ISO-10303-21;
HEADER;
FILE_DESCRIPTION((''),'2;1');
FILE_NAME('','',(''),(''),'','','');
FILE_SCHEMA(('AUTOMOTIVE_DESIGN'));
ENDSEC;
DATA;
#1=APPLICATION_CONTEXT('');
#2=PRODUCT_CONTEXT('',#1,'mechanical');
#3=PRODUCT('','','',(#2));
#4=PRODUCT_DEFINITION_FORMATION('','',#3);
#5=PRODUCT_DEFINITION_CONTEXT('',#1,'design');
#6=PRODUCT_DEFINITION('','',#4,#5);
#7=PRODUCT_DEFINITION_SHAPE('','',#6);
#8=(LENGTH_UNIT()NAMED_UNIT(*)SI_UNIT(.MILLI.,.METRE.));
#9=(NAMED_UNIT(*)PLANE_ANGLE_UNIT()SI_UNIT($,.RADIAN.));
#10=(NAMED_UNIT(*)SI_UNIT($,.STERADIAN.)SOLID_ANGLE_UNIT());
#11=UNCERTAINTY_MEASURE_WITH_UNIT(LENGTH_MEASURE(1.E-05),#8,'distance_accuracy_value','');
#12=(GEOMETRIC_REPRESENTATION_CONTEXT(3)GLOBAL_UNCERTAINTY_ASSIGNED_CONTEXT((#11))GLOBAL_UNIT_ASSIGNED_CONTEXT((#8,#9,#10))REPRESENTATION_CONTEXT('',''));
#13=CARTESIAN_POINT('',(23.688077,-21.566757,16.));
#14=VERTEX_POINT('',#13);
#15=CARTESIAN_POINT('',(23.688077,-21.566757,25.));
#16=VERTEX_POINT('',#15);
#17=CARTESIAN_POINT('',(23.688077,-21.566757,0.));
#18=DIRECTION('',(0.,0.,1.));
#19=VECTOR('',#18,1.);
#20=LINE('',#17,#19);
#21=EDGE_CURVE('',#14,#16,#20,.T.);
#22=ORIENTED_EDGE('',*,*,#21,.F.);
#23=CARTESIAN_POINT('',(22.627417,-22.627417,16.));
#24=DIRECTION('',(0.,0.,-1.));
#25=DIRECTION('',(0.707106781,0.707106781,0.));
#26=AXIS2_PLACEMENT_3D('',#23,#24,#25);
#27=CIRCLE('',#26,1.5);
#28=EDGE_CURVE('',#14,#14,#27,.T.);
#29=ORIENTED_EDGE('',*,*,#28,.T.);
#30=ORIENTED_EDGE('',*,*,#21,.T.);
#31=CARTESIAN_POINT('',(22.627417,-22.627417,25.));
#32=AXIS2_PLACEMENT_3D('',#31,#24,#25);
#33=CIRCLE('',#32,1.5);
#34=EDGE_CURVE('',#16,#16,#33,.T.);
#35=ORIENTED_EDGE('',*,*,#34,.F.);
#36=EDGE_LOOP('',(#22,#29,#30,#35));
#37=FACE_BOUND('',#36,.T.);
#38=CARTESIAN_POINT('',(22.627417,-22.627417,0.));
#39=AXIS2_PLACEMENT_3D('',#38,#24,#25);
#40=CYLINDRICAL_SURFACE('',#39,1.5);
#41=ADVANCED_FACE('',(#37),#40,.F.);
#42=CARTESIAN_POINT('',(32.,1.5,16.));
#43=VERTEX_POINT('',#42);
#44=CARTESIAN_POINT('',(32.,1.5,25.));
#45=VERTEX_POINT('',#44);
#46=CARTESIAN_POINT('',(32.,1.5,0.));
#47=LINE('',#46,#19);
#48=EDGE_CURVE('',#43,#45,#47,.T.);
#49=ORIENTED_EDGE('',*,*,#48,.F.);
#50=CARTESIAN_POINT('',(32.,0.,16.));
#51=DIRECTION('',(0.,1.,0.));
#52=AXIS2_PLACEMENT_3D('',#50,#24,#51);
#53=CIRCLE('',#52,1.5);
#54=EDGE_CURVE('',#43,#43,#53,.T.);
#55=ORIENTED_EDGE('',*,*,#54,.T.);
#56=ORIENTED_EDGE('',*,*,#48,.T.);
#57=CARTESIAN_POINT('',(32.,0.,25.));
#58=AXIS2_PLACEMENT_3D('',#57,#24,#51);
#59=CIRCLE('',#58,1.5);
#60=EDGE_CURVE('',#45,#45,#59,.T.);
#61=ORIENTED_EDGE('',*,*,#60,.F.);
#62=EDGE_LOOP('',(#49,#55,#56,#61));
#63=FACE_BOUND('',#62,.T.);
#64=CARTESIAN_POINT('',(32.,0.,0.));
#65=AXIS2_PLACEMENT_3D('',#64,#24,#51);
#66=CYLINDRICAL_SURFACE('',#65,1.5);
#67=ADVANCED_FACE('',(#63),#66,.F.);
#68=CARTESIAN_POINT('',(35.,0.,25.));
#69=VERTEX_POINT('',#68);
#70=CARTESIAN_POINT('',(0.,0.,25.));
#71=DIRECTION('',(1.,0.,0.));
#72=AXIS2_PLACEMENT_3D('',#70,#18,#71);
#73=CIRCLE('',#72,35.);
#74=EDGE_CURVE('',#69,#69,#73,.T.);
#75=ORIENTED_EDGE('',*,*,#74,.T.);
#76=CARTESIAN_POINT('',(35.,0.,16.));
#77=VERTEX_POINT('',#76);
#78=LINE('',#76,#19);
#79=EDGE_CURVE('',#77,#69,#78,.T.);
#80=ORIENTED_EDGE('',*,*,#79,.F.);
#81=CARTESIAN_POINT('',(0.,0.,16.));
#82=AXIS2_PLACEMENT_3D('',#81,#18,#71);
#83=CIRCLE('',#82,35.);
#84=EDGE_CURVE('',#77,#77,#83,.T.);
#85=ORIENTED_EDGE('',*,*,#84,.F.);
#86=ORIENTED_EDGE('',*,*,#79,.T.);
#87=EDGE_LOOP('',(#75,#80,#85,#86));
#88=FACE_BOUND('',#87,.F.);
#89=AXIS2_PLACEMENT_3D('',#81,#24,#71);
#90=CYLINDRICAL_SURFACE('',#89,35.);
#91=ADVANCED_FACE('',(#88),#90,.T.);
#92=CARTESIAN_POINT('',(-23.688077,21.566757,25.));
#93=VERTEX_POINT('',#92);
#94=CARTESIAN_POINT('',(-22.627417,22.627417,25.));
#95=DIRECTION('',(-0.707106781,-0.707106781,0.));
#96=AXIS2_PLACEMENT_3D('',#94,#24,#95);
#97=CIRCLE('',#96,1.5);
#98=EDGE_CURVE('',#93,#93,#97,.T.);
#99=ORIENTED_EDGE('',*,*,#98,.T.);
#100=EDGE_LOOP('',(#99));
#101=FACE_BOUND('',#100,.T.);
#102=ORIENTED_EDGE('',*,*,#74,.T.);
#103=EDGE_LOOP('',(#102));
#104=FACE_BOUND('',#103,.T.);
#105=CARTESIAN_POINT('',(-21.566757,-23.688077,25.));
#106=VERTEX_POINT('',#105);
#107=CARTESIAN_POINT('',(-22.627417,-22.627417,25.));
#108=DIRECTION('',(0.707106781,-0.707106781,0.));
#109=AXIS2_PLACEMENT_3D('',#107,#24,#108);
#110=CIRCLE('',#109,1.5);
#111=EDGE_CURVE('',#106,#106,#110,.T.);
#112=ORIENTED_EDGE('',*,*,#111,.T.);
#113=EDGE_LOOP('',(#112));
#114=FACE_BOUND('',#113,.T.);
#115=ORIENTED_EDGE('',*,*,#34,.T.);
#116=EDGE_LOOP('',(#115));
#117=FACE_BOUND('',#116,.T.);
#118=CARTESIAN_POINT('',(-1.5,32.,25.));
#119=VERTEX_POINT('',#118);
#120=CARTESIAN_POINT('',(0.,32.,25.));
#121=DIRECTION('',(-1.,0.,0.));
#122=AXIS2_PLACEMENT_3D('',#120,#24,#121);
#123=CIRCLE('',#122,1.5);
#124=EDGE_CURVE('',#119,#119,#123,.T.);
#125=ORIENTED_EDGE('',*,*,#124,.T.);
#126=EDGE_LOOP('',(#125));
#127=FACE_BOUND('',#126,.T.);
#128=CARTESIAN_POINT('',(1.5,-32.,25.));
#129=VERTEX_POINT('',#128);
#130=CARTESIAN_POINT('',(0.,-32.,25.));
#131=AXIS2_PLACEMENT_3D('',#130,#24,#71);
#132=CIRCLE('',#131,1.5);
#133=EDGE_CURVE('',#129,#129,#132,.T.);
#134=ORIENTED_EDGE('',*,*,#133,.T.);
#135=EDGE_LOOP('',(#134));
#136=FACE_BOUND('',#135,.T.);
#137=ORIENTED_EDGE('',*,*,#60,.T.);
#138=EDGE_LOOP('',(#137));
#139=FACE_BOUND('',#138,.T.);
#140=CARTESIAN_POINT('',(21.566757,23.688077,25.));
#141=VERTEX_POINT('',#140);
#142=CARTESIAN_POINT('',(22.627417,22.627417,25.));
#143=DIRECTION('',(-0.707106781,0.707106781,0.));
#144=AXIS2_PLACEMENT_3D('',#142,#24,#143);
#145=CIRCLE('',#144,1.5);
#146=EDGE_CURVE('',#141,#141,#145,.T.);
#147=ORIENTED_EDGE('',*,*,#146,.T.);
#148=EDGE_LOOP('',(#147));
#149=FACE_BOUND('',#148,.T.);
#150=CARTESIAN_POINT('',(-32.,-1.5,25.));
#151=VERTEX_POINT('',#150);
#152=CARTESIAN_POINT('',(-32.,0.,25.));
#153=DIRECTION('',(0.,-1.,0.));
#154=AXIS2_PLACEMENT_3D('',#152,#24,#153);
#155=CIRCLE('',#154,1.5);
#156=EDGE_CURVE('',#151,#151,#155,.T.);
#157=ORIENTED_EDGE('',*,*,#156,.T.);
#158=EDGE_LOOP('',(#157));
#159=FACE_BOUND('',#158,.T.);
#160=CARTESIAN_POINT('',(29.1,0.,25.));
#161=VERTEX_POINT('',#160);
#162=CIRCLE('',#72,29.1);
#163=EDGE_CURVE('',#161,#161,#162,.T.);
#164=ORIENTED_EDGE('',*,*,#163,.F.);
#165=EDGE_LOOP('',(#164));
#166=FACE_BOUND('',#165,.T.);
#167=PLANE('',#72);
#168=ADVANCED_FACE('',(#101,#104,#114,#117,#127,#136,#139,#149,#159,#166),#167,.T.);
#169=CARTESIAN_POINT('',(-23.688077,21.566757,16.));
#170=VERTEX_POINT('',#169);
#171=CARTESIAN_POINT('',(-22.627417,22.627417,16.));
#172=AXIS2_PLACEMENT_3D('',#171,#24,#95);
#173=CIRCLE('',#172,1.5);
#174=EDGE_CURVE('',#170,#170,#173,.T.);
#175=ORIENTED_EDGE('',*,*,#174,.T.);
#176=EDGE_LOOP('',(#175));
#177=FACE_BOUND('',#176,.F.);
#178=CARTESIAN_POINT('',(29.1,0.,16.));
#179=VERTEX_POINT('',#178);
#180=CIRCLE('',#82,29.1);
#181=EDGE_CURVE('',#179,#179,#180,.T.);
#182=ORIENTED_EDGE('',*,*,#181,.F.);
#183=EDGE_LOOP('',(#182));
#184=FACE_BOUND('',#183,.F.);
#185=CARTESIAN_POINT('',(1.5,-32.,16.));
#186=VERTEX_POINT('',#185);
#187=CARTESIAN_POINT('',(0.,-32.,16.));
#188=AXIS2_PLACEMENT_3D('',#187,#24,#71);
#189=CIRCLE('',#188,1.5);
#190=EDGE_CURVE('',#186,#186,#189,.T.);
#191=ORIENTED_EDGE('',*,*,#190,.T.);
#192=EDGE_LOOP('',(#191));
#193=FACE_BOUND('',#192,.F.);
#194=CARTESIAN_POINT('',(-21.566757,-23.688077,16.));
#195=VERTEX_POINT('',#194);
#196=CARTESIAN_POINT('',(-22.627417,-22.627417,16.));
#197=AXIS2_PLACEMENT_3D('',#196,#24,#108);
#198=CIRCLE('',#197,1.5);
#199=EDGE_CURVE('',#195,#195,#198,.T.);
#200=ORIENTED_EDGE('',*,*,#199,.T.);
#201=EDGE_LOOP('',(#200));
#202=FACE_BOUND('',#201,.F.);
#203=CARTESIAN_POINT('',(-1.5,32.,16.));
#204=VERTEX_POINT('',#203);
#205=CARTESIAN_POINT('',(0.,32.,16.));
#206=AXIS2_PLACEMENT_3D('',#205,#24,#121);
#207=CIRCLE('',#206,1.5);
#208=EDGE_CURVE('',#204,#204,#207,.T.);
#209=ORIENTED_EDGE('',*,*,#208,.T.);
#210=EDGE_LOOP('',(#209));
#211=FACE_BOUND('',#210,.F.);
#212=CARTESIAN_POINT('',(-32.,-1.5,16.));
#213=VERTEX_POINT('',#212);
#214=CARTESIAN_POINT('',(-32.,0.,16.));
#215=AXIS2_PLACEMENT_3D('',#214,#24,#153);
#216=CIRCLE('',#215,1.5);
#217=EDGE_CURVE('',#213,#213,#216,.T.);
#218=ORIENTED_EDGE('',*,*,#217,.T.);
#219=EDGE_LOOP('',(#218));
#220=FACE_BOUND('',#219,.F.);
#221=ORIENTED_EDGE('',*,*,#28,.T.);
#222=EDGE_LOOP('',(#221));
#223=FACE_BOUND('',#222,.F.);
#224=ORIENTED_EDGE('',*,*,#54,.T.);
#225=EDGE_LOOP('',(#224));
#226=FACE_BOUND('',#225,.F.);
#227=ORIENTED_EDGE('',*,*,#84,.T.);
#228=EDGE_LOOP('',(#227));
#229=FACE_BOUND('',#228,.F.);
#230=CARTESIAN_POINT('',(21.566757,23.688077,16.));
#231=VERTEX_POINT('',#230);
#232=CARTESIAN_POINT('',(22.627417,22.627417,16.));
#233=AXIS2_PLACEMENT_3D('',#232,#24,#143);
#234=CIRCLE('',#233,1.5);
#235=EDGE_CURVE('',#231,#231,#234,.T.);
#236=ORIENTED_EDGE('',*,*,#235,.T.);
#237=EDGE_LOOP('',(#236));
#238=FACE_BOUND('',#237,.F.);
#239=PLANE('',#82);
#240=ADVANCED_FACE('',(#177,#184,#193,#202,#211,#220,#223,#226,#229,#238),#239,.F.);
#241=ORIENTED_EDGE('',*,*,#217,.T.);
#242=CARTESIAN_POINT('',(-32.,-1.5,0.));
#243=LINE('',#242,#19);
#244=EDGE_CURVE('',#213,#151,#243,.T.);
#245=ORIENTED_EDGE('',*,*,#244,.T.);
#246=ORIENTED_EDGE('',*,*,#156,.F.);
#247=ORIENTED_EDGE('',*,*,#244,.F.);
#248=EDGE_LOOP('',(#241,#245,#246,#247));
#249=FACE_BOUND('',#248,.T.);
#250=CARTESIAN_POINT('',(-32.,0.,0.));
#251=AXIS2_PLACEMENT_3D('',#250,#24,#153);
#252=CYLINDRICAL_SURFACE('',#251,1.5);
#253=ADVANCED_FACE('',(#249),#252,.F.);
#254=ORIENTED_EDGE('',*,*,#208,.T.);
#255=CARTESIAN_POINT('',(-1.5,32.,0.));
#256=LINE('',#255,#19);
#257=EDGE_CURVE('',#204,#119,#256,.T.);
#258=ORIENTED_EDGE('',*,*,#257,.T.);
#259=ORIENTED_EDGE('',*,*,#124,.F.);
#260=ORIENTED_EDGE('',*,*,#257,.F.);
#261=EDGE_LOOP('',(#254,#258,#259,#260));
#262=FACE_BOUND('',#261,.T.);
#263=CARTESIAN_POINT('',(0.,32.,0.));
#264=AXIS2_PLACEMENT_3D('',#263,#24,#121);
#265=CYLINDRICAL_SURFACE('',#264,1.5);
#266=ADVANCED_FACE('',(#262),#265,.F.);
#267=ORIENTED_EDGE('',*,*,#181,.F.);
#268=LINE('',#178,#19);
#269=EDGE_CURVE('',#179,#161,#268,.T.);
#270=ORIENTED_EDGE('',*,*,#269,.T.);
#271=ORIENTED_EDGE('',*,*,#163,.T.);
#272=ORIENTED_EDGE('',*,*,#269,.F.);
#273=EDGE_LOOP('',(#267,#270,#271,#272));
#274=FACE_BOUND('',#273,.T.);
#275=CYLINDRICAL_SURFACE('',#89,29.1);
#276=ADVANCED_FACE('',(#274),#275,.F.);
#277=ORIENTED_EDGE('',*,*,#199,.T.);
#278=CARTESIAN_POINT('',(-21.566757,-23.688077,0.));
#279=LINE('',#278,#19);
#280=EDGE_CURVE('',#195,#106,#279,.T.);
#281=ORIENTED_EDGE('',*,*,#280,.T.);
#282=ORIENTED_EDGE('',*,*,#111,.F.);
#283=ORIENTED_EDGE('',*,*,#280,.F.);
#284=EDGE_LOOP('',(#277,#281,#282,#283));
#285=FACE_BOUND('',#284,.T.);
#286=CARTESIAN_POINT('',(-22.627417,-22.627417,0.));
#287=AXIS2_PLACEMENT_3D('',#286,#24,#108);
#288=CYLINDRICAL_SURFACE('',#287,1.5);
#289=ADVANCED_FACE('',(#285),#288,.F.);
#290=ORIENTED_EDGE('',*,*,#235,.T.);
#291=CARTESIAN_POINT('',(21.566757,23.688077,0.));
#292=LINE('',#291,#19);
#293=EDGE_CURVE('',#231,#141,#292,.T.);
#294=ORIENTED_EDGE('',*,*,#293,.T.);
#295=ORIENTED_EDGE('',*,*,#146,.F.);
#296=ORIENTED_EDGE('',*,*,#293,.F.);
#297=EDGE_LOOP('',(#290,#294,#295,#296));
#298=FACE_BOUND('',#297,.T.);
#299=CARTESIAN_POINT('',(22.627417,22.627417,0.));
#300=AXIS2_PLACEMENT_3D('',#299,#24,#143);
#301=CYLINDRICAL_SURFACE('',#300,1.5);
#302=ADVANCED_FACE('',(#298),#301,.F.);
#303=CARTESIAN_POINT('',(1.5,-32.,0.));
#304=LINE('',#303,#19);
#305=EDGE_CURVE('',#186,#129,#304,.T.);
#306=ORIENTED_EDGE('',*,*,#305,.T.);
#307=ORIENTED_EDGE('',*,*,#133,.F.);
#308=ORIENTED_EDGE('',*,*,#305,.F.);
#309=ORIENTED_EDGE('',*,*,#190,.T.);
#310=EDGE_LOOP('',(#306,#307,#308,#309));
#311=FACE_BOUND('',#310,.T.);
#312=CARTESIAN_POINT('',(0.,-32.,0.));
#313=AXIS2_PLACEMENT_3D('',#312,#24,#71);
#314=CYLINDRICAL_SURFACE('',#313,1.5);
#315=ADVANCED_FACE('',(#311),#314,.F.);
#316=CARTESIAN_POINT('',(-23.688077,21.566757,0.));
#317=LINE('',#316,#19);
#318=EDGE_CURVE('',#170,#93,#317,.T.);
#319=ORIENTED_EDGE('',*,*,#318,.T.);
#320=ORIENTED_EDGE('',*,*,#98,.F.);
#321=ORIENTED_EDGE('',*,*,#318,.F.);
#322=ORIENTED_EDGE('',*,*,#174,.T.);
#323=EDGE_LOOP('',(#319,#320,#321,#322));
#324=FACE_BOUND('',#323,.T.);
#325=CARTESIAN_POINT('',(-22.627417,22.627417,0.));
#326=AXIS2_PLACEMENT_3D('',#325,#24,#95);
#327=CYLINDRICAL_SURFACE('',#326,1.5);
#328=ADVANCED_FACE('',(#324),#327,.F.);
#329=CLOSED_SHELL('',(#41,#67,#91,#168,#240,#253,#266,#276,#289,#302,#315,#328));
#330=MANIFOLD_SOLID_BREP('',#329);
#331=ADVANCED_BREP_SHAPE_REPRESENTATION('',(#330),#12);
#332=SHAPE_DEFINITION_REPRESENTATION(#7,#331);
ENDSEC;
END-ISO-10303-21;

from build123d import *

# Parameters (mm, degrees)
CYLINDER1752_R               = 1.5
CYLINDER1752_DEPTH           = 30
CYLINDER1752_PLACEMENT_ANGLE = 45
CYLINDER1753_R               = 1.5
CYLINDER1753_DEPTH           = 30
CYLINDER1754_R               = 1.5
CYLINDER1754_DEPTH           = 30
CYLINDER1754_PLACEMENT_ANGLE = 135
CYLINDER1750_R               = 1.5
CYLINDER1750_DEPTH           = 30
CYLINDER1748_R               = 1.5
CYLINDER1748_DEPTH           = 30
CYLINDER1748_PLACEMENT_ANGLE = 225
CYLINDER1751_R               = 1.5
CYLINDER1751_DEPTH           = 30
CYLINDER1749_R               = 1.5
CYLINDER1749_DEPTH           = 30
CYLINDER1749_PLACEMENT_ANGLE = 45
CYLINDER1755_R               = 1.5
CYLINDER1755_DEPTH           = 30
TUBE089_R                    = 35
TUBE089_R_2                  = 29.1
TUBE089_DEPTH                = 9


with BuildPart() as v_lec1752:
    # Cylinder1752 → Cylinder1752 (new body)
    with BuildSketch(Plane.XY):
        Circle(CYLINDER1752_R)
    extrude(amount=CYLINDER1752_DEPTH)


with BuildPart() as v_lec1752_1:
    # Cylinder1752 placement: moved
    add(v_lec1752.part.moved(Location((22.627417, -22.627417, 0))).rotate(Axis((22.627417, -22.627417, 0), (0, 0, 1)), CYLINDER1752_PLACEMENT_ANGLE))


with BuildPart() as v_lec1753:
    # Cylinder1753 → Cylinder1753 (new body)
    with BuildSketch(Plane(origin=(32, 0, 0), x_dir=(0, 1, 0), z_dir=(0, 0, 1))):
        Circle(CYLINDER1753_R)
    extrude(amount=CYLINDER1753_DEPTH)


with BuildPart() as v_lec1754:
    # Cylinder1754 → Cylinder1754 (new body)
    with BuildSketch(Plane.XY):
        Circle(CYLINDER1754_R)
    extrude(amount=CYLINDER1754_DEPTH)


with BuildPart() as v_lec1754_1:
    # Cylinder1754 placement: moved
    add(v_lec1754.part.moved(Location((22.627417, 22.627417, 0))).rotate(Axis((22.627417, 22.627417, 0), (0, 0, 1)), CYLINDER1754_PLACEMENT_ANGLE))


with BuildPart() as v_lec1750:
    # Cylinder1750 → Cylinder1750 (new body)
    with BuildSketch(Plane(origin=(0, 32, 0), x_dir=(-1, 0, 0), z_dir=(0, 0, 1))):
        Circle(CYLINDER1750_R)
    extrude(amount=CYLINDER1750_DEPTH)


with BuildPart() as v_lec1748:
    # Cylinder1748 → Cylinder1748 (new body)
    with BuildSketch(Plane.XY):
        Circle(CYLINDER1748_R)
    extrude(amount=CYLINDER1748_DEPTH)


with BuildPart() as v_lec1748_1:
    # Cylinder1748 placement: moved
    add(v_lec1748.part.moved(Location((-22.627417, 22.627417, 0))).rotate(Axis((-22.627417, 22.627417, 0), (0, 0, 1)), CYLINDER1748_PLACEMENT_ANGLE))


with BuildPart() as v_lec1751:
    # Cylinder1751 → Cylinder1751 (new body)
    with BuildSketch(Plane(origin=(-32, 0, 0), x_dir=(0, -1, 0), z_dir=(0, 0, 1))):
        Circle(CYLINDER1751_R)
    extrude(amount=CYLINDER1751_DEPTH)


with BuildPart() as v_lec1749:
    # Cylinder1749 → Cylinder1749 (new body)
    with BuildSketch(Plane.XY):
        Circle(CYLINDER1749_R)
    extrude(amount=CYLINDER1749_DEPTH)


with BuildPart() as v_lec1749_1:
    # Cylinder1749 placement: moved
    add(v_lec1749.part.moved(Location((-22.627417, -22.627417, 0))).rotate(Axis((-22.627417, -22.627417, 0), (0, 0, -1)), CYLINDER1749_PLACEMENT_ANGLE))


with BuildPart() as compound879:
    # Cylinder1755 → Cylinder1755 (new body)
    with BuildSketch(Plane(origin=(0, -32, 0), x_dir=(1, 0, 0), z_dir=(0, 0, 1))):
        Circle(CYLINDER1755_R)
    extrude(amount=CYLINDER1755_DEPTH)

    # Compound879: union Válec1752, Válec1753, Válec1754, Válec1750, Válec1748, Válec1751, Válec1749
    add(v_lec1752_1.part)
    add(v_lec1753.part)
    add(v_lec1754_1.part)
    add(v_lec1750.part)
    add(v_lec1748_1.part)
    add(v_lec1751.part)
    add(v_lec1749_1.part)


with BuildPart() as cut508:
    # Tube089 → Tube089 (new body)
    with BuildSketch(Plane.XY.offset(16)):
        Circle(TUBE089_R)
        Circle(TUBE089_R_2, mode=Mode.SUBTRACT)
    extrude(amount=TUBE089_DEPTH)

    # Cut508: cut Compound879
    add(compound879.part, mode=Mode.SUBTRACT)


solid = cut508.part
